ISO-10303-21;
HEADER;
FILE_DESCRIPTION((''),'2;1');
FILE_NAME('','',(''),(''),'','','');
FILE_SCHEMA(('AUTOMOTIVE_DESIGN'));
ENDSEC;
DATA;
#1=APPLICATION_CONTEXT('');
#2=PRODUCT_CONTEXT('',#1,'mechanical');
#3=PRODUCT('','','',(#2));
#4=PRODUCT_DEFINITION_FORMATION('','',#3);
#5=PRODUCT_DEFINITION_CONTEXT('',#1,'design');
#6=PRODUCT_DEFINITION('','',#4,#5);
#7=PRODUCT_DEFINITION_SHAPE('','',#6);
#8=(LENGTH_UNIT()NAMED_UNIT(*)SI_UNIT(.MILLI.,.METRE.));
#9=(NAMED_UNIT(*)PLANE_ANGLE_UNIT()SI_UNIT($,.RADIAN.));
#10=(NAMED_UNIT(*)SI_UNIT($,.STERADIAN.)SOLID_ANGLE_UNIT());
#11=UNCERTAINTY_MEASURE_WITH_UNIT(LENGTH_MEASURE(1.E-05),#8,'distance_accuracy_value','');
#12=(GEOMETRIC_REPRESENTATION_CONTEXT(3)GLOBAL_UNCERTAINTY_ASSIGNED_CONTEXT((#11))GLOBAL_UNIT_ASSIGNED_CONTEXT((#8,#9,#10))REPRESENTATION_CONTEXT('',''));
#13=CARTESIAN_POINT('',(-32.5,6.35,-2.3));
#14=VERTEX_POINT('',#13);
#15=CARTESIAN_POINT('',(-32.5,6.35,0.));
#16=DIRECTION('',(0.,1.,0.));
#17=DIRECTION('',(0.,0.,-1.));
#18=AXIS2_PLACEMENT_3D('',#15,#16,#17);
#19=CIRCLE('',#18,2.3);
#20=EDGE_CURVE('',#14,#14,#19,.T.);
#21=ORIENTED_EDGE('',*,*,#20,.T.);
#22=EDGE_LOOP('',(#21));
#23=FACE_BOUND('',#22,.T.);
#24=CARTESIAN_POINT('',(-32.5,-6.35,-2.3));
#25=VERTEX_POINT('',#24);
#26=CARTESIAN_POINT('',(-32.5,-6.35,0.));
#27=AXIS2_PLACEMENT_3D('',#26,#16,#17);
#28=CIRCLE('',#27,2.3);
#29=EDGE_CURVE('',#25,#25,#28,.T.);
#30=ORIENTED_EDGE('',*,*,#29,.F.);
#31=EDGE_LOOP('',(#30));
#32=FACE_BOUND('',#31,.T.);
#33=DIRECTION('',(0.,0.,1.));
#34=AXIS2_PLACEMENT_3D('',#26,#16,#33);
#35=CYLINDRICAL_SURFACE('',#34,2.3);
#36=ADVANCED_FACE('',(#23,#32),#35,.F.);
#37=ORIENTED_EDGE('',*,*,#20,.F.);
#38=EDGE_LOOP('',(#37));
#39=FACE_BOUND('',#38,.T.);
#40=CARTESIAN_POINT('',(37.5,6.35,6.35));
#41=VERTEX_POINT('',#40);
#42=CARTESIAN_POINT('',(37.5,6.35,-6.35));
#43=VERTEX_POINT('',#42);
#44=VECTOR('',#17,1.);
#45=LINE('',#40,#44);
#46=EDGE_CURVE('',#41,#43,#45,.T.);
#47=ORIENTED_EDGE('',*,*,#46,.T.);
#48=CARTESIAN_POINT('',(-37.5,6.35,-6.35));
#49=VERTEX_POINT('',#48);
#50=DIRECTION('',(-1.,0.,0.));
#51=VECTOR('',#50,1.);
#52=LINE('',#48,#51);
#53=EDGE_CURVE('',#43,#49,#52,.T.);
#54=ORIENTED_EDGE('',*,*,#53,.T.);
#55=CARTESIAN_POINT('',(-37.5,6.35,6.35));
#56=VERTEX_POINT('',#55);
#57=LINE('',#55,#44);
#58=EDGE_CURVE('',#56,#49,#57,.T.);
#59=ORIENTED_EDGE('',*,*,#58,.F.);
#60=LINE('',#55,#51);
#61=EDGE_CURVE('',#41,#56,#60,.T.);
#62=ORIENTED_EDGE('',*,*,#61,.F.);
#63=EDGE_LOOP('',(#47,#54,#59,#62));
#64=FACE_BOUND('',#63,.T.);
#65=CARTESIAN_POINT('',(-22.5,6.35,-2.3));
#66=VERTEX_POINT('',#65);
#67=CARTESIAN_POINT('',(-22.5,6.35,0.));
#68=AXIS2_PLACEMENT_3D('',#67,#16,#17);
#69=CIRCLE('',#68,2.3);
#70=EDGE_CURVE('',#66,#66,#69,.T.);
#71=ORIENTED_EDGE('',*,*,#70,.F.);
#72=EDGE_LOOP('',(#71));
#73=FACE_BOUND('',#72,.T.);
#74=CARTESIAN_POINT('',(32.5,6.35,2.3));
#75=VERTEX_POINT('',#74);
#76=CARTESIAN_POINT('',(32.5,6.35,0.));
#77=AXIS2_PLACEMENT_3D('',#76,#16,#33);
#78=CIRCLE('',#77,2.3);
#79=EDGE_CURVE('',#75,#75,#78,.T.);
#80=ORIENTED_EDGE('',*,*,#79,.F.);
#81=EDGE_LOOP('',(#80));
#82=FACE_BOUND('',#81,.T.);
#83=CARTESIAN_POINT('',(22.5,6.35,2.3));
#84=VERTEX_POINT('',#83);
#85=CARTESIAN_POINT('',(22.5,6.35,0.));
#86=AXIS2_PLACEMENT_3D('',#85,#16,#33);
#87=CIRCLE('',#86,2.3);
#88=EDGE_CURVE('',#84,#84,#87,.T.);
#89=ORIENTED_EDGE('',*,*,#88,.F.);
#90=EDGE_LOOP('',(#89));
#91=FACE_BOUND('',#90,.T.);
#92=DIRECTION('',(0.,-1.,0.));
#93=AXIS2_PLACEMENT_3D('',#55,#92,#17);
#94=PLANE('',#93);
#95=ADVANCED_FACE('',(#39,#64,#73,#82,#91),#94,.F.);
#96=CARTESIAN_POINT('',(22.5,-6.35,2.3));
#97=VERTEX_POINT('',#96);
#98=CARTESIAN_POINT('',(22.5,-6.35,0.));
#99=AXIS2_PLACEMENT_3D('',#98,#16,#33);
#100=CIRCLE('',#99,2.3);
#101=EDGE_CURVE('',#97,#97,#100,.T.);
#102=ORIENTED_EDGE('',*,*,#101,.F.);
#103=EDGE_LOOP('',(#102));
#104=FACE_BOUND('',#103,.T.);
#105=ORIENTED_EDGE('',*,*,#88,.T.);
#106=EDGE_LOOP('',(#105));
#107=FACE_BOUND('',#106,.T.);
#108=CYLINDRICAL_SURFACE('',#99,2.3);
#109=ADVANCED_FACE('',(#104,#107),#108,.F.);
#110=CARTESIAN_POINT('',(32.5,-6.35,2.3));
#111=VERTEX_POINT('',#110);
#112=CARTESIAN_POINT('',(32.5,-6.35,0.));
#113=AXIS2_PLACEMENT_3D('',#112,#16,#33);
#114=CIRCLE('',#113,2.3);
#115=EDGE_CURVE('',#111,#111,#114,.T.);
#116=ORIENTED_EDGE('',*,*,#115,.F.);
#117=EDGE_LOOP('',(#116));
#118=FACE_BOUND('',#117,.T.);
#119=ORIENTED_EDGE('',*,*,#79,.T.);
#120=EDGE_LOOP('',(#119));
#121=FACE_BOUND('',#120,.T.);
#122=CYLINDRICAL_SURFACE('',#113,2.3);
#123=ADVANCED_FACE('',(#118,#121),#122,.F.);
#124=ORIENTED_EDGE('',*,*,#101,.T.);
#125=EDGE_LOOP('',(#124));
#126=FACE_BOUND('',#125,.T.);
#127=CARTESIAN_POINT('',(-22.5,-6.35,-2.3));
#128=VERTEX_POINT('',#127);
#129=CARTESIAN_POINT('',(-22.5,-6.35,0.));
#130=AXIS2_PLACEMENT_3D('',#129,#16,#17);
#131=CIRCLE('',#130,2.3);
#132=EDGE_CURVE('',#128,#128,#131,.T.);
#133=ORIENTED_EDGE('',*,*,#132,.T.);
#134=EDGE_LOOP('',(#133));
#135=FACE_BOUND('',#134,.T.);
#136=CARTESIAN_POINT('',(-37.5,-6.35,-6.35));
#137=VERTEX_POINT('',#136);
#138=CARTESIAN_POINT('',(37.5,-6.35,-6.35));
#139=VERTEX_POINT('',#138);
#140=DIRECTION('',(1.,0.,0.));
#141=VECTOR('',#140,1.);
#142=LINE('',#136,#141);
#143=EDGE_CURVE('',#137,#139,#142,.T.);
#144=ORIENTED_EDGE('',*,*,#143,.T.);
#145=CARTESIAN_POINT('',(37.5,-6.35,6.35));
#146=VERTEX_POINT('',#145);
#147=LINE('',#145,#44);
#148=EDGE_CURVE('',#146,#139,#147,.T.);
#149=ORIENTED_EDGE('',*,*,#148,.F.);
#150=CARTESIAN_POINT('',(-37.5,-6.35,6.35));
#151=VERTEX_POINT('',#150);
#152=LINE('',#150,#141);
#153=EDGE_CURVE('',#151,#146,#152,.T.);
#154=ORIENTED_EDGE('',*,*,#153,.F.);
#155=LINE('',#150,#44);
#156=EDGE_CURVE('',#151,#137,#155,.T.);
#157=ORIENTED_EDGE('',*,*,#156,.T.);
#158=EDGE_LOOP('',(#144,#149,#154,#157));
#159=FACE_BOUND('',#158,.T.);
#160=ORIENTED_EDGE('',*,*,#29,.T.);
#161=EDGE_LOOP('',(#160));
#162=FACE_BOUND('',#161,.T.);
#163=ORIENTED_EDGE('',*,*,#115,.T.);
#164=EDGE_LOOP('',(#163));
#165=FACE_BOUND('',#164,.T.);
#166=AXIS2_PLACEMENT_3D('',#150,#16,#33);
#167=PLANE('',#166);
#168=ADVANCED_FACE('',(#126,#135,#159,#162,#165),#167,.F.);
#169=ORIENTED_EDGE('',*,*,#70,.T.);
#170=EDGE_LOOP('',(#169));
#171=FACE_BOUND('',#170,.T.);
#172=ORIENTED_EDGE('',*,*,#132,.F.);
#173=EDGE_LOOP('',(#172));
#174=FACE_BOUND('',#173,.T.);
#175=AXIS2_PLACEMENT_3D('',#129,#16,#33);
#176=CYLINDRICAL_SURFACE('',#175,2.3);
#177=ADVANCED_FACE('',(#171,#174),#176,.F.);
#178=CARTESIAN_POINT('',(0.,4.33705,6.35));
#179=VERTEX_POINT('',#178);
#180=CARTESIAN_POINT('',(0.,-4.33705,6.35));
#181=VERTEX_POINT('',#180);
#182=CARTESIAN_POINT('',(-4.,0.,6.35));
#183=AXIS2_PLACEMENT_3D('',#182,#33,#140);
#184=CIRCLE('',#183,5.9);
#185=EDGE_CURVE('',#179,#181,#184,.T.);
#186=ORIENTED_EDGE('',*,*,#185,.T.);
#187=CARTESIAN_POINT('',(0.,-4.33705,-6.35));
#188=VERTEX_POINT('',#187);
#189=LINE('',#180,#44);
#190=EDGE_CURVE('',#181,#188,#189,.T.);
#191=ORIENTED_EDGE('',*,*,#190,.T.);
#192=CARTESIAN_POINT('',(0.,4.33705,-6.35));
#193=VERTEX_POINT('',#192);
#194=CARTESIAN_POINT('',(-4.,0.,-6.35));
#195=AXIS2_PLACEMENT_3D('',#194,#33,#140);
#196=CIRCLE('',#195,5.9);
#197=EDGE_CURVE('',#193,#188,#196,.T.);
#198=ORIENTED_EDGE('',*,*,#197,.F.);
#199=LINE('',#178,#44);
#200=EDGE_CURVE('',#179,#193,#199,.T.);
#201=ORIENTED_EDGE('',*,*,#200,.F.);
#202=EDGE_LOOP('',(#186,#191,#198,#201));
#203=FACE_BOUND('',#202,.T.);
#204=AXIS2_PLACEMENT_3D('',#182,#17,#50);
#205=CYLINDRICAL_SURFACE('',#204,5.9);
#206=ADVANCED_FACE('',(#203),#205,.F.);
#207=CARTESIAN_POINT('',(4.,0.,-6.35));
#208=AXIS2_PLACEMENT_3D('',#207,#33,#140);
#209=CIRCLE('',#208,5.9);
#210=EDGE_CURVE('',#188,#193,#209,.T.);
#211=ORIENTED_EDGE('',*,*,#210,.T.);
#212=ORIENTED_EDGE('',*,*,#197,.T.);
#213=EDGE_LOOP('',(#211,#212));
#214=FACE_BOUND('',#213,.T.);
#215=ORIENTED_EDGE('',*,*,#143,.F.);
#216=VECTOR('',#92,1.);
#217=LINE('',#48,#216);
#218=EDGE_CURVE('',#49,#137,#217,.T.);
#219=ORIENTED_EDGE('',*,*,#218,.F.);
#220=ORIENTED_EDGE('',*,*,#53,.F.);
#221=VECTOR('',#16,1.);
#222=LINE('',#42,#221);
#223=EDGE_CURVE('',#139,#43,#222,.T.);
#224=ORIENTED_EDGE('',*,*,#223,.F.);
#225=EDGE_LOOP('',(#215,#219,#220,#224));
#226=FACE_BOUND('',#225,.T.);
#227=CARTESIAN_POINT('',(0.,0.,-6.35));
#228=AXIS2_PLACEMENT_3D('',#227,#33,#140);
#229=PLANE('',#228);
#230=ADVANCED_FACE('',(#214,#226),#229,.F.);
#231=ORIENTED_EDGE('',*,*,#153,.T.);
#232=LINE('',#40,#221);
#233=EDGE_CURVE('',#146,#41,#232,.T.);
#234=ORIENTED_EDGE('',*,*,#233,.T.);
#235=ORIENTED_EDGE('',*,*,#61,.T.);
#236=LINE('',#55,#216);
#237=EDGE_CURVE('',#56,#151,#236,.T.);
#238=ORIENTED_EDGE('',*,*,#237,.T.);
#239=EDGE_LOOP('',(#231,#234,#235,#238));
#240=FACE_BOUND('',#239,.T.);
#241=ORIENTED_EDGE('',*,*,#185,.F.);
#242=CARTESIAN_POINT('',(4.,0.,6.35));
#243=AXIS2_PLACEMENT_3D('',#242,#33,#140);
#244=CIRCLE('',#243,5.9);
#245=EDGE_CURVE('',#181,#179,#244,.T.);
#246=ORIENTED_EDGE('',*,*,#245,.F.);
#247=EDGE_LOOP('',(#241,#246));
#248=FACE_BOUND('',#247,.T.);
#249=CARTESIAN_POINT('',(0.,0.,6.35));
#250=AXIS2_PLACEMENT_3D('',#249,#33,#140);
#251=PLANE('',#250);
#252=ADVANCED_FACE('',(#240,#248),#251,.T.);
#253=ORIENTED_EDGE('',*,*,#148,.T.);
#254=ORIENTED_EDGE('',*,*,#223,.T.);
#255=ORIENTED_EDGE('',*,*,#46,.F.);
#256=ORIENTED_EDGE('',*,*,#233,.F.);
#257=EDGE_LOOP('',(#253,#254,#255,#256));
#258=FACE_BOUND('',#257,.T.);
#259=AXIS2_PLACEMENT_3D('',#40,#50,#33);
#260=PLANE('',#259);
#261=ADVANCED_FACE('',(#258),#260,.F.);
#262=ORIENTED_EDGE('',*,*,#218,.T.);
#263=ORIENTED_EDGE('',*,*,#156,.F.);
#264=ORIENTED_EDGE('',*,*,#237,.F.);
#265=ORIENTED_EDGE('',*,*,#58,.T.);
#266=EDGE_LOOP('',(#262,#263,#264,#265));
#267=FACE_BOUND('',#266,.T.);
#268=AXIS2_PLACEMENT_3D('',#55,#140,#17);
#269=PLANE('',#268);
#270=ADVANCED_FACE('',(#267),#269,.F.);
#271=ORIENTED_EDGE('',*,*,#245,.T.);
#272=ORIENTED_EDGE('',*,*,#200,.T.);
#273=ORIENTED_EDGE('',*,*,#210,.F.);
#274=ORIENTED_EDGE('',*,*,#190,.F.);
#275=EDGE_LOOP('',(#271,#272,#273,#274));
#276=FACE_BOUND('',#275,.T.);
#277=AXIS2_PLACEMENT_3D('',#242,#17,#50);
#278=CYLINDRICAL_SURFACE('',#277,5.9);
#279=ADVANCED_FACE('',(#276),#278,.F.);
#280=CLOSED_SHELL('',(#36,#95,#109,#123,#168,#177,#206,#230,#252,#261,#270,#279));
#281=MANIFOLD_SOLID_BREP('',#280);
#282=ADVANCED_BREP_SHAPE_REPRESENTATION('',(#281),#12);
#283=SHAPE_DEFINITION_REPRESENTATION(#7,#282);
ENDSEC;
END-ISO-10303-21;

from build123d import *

# Parameters (mm, degrees)
CROQUIS2_W              = 75
CROQUIS2_H              = 12.7
SALIENTE_EXTRUIR1_DEPTH = 6.35
CROQUIS3_R              = 2.3
CORTAR_EXTRUIR1_DEPTH   = 41.098160806


with BuildPart() as part:
    # Croquis2 → Saliente-Extruir1 (new, symmetric)
    with BuildSketch(Plane.XY):
        Rectangle(CROQUIS2_W, CROQUIS2_H)
        with BuildLine():
            ThreePointArc((0, 4.337049688), (-9.9, 0), (0, -4.337049688))
            ThreePointArc((0, -4.337049688), (9.9, 0), (0, 4.337049688))
        make_face(mode=Mode.SUBTRACT)
    extrude(amount=SALIENTE_EXTRUIR1_DEPTH, both=True)

    # Croquis3 → Cortar-Extruir1 (cut, through all)
    with BuildSketch(Plane(origin=(0, 6.35, 0), x_dir=(1, 0, 0), z_dir=(0, 1, 0))):
        with Locations(Location((32.5, 0, 0), (0, 0, 270))):
            Circle(CROQUIS3_R)
        with Locations(Location((22.5, 0, 0), (0, 0, 270))):
            Circle(CROQUIS3_R)
        with Locations(Location((-32.5, 0, 0), (0, 0, 90))):
            Circle(CROQUIS3_R)
        with Locations(Location((-22.5, 0, 0), (0, 0, 90))):
            Circle(CROQUIS3_R)
    extrude(amount=-CORTAR_EXTRUIR1_DEPTH, mode=Mode.SUBTRACT)


solid = part.part
